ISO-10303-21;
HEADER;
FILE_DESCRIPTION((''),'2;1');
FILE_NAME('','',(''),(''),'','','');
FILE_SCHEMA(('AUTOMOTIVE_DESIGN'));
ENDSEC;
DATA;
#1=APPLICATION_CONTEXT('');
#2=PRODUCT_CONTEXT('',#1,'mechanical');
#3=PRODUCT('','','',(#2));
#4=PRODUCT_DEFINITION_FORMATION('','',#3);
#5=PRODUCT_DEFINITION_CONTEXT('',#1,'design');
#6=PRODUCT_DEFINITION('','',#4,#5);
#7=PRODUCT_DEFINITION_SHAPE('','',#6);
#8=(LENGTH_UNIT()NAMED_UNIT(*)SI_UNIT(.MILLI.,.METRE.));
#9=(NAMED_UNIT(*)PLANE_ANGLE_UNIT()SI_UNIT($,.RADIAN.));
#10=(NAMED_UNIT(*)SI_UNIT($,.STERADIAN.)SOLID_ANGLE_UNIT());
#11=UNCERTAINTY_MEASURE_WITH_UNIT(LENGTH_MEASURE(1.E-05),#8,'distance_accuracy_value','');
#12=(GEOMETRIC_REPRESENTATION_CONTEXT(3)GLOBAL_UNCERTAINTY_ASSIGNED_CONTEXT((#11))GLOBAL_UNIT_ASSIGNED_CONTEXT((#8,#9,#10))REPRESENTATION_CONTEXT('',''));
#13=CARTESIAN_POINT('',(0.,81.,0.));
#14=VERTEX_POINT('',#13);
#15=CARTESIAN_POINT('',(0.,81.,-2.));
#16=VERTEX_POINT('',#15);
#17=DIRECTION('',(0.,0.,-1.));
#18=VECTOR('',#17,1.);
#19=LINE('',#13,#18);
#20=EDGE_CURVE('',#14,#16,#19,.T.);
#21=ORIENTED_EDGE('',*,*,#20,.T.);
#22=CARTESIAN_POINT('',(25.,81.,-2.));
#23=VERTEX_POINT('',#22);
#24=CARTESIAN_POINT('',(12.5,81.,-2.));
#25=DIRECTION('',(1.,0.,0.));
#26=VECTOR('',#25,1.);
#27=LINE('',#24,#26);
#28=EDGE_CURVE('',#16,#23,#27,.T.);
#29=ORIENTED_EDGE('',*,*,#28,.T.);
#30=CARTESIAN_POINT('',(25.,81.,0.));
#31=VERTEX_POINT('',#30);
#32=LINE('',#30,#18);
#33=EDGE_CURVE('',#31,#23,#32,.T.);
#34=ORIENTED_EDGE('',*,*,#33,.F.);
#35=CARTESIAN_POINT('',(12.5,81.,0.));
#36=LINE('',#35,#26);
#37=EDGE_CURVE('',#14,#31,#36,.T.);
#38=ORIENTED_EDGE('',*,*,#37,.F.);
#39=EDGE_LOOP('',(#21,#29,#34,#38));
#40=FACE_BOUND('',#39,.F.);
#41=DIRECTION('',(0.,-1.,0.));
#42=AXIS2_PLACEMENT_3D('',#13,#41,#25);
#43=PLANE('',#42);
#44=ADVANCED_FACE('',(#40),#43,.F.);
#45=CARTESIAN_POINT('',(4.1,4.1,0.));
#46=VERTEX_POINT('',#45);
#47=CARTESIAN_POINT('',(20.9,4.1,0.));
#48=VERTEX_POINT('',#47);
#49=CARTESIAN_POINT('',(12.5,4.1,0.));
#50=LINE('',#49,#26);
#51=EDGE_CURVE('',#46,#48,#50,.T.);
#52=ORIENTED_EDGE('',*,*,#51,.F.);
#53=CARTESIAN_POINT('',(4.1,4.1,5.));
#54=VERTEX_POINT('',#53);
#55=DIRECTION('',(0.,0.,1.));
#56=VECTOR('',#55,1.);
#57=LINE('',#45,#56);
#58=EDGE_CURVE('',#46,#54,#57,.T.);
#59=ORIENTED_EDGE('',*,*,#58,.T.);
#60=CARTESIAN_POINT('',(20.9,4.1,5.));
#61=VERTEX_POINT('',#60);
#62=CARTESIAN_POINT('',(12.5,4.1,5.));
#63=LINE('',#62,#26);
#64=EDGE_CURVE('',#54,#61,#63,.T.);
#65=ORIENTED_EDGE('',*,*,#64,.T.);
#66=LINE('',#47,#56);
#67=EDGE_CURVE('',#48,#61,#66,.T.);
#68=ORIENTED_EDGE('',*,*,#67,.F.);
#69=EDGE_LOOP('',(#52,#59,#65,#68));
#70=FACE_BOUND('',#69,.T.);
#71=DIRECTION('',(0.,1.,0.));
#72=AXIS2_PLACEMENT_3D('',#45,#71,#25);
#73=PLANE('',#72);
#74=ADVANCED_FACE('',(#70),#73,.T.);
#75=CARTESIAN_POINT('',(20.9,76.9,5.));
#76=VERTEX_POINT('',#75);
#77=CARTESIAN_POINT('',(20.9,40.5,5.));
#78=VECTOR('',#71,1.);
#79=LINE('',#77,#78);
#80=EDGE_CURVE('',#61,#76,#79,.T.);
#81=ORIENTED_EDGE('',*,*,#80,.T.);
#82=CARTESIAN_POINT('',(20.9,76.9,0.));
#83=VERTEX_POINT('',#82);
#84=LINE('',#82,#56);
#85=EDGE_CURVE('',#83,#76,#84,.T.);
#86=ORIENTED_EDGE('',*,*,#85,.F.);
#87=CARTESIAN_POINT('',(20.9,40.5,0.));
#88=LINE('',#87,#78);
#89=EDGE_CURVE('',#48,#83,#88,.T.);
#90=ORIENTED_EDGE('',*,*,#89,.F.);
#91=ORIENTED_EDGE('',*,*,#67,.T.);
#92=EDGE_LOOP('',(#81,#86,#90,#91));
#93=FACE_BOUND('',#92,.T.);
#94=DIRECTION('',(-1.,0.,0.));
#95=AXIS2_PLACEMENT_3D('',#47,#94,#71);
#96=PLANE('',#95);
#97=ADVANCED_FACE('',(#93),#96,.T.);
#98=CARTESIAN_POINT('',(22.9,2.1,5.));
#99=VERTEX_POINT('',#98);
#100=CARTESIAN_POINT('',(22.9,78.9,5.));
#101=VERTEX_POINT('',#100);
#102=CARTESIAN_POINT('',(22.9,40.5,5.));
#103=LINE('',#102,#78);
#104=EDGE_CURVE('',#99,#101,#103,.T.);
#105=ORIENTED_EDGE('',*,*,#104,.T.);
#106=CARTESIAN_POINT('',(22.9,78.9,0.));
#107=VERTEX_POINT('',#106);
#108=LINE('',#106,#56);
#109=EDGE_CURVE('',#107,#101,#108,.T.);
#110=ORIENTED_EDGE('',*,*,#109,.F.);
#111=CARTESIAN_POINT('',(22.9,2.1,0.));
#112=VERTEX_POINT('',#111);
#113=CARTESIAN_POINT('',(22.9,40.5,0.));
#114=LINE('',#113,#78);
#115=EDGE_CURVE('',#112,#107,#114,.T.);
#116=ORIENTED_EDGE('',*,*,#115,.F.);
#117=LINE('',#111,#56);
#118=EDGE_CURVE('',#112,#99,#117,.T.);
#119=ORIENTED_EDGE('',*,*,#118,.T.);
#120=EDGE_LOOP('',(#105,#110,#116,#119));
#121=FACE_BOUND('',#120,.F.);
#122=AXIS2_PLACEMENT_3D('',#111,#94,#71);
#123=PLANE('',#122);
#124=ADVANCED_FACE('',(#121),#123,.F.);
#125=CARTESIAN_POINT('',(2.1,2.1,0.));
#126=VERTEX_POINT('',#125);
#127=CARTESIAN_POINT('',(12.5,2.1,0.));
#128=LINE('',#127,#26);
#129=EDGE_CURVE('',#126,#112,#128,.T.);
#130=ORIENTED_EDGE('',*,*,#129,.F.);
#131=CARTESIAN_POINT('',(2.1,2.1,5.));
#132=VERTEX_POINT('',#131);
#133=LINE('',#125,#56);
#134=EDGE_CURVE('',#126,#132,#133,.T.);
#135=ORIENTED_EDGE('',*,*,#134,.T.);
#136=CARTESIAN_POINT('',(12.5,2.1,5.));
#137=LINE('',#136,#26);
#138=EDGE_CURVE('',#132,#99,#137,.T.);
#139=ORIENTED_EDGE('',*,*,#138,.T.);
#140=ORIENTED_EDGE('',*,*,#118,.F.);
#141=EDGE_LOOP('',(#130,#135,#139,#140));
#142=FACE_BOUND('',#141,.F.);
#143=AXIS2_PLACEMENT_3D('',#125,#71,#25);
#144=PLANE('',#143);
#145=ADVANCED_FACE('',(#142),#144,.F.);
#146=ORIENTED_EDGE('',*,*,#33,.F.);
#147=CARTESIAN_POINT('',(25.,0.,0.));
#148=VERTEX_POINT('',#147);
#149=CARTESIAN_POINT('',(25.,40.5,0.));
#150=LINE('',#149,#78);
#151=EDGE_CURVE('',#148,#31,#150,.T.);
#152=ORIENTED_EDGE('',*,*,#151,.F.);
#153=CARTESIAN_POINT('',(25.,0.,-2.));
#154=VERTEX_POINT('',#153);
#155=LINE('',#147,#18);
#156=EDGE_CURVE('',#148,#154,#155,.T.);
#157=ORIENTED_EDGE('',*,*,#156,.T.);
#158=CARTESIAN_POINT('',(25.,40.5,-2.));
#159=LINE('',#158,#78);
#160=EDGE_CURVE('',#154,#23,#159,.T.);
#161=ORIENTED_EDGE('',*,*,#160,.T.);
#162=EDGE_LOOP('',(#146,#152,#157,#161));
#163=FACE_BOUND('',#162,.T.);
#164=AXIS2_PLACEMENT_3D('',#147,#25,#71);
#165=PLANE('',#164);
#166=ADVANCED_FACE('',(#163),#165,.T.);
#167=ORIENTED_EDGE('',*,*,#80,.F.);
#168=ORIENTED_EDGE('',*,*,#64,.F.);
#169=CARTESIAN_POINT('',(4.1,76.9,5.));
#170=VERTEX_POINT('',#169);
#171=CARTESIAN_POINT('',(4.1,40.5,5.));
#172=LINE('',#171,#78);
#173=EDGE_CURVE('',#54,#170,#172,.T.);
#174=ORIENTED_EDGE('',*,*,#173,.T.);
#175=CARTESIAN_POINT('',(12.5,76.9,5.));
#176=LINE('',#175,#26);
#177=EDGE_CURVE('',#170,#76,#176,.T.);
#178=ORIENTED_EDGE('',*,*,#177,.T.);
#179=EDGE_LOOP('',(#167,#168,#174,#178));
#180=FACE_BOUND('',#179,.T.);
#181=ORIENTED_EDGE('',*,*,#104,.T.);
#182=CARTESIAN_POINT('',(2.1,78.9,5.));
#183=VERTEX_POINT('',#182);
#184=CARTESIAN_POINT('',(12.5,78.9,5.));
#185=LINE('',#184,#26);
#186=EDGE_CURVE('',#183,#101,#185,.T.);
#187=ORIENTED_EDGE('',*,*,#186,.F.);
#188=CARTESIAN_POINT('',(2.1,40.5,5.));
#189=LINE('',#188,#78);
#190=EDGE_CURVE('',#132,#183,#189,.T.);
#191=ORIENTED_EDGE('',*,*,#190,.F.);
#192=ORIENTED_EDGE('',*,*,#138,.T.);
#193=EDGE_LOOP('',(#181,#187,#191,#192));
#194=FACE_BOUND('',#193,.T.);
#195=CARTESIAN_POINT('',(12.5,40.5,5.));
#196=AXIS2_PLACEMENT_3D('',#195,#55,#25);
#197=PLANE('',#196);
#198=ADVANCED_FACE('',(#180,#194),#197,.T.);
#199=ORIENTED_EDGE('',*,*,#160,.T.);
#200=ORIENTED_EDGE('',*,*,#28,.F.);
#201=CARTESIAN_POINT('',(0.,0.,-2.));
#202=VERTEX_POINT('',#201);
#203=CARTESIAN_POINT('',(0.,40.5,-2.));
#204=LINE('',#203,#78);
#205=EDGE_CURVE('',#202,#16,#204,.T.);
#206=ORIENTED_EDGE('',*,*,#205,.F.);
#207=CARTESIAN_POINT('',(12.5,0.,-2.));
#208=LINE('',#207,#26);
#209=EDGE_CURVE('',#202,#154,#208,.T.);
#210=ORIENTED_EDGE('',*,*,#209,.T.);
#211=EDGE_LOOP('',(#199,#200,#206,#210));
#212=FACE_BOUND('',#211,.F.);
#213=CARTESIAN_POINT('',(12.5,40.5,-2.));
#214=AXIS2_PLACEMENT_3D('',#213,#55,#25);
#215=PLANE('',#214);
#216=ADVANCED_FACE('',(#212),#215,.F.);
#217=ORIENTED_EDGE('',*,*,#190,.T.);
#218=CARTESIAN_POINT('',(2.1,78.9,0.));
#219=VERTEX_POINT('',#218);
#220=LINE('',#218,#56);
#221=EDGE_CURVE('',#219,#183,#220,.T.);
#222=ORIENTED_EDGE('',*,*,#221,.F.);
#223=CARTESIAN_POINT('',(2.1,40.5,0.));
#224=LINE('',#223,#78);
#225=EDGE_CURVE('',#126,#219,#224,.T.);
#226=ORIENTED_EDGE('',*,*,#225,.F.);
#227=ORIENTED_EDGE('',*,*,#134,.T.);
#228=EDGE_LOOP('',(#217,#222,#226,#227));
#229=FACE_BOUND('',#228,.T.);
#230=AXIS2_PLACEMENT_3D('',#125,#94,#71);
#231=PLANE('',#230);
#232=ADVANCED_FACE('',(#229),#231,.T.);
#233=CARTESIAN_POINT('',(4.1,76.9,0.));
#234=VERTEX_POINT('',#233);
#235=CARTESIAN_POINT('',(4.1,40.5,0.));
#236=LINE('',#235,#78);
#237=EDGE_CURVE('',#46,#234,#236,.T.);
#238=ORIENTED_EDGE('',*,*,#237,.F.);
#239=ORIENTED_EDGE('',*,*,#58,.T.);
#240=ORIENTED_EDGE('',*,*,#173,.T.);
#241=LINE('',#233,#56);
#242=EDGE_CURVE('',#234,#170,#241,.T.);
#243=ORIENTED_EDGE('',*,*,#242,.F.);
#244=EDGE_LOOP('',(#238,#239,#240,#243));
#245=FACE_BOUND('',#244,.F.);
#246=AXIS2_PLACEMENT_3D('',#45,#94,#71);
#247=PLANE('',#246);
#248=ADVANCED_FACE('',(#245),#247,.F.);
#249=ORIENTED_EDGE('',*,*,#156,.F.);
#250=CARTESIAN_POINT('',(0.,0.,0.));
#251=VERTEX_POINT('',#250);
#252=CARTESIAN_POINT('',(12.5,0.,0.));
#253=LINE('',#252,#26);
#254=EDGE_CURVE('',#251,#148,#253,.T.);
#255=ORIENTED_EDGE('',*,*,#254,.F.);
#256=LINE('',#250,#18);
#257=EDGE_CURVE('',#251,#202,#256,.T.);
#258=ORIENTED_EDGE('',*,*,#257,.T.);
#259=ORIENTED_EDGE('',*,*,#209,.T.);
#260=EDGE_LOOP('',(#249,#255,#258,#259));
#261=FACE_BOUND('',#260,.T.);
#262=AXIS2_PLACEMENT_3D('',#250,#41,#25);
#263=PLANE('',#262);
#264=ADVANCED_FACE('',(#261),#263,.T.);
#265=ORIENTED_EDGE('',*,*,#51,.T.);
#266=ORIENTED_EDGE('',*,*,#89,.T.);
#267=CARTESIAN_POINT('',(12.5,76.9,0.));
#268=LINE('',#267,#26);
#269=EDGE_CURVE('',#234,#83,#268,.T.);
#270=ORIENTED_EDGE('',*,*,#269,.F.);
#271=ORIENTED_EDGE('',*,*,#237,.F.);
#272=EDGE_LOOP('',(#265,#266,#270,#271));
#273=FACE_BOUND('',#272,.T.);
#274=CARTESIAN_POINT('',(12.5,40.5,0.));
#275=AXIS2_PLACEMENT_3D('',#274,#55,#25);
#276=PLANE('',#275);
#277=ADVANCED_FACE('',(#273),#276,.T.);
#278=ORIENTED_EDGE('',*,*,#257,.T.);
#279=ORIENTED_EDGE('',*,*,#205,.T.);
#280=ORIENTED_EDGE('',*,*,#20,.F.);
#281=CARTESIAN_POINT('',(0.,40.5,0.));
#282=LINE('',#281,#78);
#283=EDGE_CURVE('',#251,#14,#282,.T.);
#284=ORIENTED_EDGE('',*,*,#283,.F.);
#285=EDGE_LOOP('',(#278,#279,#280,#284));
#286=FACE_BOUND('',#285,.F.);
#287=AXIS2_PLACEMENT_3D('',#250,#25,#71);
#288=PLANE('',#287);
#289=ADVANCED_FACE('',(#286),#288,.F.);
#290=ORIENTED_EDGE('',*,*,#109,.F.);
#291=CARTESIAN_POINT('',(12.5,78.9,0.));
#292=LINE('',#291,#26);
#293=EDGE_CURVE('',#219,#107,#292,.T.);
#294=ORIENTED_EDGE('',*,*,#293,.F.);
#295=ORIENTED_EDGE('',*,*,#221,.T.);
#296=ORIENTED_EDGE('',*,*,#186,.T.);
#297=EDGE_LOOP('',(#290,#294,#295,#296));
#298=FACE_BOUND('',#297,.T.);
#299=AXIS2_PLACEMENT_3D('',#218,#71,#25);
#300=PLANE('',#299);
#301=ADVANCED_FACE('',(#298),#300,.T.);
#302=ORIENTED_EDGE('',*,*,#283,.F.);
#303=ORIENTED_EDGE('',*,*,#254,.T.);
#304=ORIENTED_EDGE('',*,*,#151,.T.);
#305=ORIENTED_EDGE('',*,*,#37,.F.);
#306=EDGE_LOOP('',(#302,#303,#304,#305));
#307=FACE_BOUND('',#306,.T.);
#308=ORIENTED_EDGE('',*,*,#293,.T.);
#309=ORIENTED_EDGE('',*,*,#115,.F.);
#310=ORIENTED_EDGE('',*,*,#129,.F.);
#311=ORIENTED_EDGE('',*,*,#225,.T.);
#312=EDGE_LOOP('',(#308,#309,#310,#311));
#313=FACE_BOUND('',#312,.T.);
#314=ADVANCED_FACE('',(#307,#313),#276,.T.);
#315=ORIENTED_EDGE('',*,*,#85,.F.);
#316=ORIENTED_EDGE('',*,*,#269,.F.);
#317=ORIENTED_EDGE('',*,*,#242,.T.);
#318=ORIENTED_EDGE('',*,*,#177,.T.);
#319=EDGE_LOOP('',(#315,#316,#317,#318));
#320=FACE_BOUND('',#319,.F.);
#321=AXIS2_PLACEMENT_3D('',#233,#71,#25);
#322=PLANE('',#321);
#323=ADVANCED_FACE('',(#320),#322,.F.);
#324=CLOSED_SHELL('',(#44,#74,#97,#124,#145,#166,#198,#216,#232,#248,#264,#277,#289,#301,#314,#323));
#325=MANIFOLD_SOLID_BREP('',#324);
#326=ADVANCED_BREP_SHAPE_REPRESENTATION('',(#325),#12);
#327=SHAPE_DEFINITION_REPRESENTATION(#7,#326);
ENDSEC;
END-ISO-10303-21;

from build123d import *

# Parameters (mm, degrees)
F0_W     = 25
F0_H     = 81
F1_DEPTH = 2
F2_W     = 20.8
F2_H     = 76.8
F2_W_2   = 16.8
F2_H_2   = 72.8
F3_DEPTH = 5


with BuildPart() as f1:
    # F0 (on Top) → F1 (new body)
    with BuildSketch(Plane.XY):
        with Locations((12.5, 40.5)):
            Rectangle(F0_W, F0_H)
    extrude(amount=-F1_DEPTH)

    # F2 (on Top) → F3 (join)
    with BuildSketch(Plane.XY):
        with Locations((12.5, 40.5)):
            Rectangle(F2_W, F2_H)
        with Locations((12.5, 40.5)):
            Rectangle(F2_W_2, F2_H_2, mode=Mode.SUBTRACT)
    extrude(amount=F3_DEPTH)


solid = f1.part
